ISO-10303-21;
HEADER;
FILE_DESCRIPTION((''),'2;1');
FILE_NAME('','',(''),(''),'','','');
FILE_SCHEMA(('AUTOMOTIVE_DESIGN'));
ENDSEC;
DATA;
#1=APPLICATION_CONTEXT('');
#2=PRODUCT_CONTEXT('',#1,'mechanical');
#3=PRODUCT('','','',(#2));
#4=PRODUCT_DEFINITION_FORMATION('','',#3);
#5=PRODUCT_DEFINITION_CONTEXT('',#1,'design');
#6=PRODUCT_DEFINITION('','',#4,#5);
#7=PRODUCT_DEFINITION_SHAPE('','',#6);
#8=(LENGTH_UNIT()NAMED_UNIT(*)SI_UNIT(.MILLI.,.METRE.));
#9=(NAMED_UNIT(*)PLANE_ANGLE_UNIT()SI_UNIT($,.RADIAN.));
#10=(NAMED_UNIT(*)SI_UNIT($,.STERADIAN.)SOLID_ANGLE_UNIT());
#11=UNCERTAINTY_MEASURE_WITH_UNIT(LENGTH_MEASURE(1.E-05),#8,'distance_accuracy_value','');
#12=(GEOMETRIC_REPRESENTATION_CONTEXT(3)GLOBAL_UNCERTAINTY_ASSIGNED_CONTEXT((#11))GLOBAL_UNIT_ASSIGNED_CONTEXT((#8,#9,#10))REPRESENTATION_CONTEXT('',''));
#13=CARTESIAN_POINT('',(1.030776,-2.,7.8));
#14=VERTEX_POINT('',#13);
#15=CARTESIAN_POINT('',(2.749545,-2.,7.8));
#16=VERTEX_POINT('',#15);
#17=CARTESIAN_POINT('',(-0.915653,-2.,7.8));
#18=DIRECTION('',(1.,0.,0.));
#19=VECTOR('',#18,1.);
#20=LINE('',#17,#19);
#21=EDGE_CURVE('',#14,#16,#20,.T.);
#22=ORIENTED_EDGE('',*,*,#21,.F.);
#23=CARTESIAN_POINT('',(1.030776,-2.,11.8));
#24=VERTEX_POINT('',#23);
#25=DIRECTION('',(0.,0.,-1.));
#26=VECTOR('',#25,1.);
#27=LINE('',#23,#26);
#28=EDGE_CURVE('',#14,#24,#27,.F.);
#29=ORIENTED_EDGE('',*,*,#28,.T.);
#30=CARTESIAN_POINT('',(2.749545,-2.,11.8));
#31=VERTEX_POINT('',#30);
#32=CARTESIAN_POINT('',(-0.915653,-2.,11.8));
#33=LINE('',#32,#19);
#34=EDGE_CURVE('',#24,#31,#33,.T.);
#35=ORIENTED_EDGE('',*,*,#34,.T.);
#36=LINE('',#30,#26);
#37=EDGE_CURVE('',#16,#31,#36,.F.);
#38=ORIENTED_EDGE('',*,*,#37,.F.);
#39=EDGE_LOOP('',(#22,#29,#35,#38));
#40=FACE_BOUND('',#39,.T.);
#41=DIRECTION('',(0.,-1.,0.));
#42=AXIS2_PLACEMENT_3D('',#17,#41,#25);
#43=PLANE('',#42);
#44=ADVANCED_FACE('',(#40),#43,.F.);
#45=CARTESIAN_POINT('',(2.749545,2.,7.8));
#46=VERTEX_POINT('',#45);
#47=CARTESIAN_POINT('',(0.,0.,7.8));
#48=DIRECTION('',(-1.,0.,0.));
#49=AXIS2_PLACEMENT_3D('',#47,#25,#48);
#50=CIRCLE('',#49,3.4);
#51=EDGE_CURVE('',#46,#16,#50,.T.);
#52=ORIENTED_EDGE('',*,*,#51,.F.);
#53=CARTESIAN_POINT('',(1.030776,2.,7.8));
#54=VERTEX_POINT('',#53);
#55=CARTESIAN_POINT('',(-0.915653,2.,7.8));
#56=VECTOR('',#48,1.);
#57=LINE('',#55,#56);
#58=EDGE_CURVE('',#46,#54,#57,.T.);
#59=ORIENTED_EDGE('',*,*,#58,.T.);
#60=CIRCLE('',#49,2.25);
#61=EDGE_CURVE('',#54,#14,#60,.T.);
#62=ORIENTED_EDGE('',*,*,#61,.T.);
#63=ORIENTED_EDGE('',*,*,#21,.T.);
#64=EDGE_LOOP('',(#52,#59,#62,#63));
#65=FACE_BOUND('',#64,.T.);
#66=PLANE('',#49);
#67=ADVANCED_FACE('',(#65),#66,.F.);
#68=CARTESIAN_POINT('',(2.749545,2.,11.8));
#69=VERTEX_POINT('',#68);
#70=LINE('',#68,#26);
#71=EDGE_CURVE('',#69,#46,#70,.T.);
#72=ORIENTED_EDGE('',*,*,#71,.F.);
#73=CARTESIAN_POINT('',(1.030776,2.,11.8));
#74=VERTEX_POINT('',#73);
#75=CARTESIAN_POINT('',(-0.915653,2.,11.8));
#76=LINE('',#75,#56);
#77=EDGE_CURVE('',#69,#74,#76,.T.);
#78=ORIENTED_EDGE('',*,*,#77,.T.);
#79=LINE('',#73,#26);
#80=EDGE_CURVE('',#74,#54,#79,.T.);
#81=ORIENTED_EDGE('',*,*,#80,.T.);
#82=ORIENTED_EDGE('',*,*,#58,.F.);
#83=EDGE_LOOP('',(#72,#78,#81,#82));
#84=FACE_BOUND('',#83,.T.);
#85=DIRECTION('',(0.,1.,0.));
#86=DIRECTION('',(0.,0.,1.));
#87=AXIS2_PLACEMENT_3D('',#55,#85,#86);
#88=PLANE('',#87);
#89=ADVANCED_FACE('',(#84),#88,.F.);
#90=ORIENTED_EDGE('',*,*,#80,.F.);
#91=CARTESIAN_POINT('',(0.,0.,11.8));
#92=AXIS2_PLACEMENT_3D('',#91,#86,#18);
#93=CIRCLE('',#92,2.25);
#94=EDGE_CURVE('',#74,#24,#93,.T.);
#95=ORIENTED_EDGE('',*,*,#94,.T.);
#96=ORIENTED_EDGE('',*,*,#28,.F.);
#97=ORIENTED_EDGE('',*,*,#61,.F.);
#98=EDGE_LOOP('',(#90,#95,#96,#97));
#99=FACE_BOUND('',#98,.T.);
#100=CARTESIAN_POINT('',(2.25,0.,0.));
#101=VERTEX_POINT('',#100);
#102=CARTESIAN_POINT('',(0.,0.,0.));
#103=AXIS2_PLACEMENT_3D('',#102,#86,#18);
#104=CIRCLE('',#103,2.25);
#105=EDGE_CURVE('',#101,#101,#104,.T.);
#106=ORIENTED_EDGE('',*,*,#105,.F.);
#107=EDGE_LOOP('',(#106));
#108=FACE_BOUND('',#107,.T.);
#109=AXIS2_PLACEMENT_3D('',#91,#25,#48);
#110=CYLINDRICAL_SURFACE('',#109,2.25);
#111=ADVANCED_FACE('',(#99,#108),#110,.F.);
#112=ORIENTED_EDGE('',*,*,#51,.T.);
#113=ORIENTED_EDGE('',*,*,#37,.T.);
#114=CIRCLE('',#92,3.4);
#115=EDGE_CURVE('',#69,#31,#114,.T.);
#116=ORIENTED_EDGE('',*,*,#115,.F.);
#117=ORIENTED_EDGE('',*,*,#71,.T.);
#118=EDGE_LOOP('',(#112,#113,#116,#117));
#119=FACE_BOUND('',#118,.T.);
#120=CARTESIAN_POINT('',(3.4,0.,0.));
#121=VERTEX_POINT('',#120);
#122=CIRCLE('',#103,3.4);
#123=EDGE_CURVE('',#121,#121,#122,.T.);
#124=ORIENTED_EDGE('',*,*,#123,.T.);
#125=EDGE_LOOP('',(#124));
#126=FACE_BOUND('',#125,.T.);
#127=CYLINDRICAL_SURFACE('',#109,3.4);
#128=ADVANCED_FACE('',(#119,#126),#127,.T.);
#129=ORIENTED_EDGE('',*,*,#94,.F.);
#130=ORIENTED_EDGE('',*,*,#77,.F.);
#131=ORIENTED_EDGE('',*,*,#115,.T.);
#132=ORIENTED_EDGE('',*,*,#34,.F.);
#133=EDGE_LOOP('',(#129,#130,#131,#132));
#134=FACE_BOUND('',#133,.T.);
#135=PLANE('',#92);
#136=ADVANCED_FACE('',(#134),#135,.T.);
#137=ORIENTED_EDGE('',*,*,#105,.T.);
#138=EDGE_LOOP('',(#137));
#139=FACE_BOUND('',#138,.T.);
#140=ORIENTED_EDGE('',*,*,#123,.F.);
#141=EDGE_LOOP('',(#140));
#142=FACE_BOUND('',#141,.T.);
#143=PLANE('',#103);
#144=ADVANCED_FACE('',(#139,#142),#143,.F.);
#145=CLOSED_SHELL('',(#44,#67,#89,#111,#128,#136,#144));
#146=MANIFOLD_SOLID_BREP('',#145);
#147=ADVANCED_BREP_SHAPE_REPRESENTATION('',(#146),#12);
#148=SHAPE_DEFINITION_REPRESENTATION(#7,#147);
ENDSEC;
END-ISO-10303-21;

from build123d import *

# Parameters (mm, degrees)
SKETCH_1_R          = 3.4
SKETCH_1_R_2        = 2.25
EXTRUDE_1_DEPTH     = 11.8
SKETCH_2_W          = 7.078995433
SKETCH_2_H          = 4
CUT_EXTRUDE_1_DEPTH = 4


with BuildPart() as part:
    # 草图1 → 凸台-拉伸1 (new body)
    with BuildSketch(Plane.XY):
        Circle(SKETCH_1_R)
        Circle(SKETCH_1_R_2, mode=Mode.SUBTRACT)
    extrude(amount=EXTRUDE_1_DEPTH)

    # 草图2 → 切除-拉伸1 (cut)
    with BuildSketch(Plane.XY.offset(11.8)):
        with Locations((2.623845047, 0)):
            Rectangle(SKETCH_2_W, SKETCH_2_H)
    extrude(amount=-CUT_EXTRUDE_1_DEPTH, mode=Mode.SUBTRACT)


solid = part.part
